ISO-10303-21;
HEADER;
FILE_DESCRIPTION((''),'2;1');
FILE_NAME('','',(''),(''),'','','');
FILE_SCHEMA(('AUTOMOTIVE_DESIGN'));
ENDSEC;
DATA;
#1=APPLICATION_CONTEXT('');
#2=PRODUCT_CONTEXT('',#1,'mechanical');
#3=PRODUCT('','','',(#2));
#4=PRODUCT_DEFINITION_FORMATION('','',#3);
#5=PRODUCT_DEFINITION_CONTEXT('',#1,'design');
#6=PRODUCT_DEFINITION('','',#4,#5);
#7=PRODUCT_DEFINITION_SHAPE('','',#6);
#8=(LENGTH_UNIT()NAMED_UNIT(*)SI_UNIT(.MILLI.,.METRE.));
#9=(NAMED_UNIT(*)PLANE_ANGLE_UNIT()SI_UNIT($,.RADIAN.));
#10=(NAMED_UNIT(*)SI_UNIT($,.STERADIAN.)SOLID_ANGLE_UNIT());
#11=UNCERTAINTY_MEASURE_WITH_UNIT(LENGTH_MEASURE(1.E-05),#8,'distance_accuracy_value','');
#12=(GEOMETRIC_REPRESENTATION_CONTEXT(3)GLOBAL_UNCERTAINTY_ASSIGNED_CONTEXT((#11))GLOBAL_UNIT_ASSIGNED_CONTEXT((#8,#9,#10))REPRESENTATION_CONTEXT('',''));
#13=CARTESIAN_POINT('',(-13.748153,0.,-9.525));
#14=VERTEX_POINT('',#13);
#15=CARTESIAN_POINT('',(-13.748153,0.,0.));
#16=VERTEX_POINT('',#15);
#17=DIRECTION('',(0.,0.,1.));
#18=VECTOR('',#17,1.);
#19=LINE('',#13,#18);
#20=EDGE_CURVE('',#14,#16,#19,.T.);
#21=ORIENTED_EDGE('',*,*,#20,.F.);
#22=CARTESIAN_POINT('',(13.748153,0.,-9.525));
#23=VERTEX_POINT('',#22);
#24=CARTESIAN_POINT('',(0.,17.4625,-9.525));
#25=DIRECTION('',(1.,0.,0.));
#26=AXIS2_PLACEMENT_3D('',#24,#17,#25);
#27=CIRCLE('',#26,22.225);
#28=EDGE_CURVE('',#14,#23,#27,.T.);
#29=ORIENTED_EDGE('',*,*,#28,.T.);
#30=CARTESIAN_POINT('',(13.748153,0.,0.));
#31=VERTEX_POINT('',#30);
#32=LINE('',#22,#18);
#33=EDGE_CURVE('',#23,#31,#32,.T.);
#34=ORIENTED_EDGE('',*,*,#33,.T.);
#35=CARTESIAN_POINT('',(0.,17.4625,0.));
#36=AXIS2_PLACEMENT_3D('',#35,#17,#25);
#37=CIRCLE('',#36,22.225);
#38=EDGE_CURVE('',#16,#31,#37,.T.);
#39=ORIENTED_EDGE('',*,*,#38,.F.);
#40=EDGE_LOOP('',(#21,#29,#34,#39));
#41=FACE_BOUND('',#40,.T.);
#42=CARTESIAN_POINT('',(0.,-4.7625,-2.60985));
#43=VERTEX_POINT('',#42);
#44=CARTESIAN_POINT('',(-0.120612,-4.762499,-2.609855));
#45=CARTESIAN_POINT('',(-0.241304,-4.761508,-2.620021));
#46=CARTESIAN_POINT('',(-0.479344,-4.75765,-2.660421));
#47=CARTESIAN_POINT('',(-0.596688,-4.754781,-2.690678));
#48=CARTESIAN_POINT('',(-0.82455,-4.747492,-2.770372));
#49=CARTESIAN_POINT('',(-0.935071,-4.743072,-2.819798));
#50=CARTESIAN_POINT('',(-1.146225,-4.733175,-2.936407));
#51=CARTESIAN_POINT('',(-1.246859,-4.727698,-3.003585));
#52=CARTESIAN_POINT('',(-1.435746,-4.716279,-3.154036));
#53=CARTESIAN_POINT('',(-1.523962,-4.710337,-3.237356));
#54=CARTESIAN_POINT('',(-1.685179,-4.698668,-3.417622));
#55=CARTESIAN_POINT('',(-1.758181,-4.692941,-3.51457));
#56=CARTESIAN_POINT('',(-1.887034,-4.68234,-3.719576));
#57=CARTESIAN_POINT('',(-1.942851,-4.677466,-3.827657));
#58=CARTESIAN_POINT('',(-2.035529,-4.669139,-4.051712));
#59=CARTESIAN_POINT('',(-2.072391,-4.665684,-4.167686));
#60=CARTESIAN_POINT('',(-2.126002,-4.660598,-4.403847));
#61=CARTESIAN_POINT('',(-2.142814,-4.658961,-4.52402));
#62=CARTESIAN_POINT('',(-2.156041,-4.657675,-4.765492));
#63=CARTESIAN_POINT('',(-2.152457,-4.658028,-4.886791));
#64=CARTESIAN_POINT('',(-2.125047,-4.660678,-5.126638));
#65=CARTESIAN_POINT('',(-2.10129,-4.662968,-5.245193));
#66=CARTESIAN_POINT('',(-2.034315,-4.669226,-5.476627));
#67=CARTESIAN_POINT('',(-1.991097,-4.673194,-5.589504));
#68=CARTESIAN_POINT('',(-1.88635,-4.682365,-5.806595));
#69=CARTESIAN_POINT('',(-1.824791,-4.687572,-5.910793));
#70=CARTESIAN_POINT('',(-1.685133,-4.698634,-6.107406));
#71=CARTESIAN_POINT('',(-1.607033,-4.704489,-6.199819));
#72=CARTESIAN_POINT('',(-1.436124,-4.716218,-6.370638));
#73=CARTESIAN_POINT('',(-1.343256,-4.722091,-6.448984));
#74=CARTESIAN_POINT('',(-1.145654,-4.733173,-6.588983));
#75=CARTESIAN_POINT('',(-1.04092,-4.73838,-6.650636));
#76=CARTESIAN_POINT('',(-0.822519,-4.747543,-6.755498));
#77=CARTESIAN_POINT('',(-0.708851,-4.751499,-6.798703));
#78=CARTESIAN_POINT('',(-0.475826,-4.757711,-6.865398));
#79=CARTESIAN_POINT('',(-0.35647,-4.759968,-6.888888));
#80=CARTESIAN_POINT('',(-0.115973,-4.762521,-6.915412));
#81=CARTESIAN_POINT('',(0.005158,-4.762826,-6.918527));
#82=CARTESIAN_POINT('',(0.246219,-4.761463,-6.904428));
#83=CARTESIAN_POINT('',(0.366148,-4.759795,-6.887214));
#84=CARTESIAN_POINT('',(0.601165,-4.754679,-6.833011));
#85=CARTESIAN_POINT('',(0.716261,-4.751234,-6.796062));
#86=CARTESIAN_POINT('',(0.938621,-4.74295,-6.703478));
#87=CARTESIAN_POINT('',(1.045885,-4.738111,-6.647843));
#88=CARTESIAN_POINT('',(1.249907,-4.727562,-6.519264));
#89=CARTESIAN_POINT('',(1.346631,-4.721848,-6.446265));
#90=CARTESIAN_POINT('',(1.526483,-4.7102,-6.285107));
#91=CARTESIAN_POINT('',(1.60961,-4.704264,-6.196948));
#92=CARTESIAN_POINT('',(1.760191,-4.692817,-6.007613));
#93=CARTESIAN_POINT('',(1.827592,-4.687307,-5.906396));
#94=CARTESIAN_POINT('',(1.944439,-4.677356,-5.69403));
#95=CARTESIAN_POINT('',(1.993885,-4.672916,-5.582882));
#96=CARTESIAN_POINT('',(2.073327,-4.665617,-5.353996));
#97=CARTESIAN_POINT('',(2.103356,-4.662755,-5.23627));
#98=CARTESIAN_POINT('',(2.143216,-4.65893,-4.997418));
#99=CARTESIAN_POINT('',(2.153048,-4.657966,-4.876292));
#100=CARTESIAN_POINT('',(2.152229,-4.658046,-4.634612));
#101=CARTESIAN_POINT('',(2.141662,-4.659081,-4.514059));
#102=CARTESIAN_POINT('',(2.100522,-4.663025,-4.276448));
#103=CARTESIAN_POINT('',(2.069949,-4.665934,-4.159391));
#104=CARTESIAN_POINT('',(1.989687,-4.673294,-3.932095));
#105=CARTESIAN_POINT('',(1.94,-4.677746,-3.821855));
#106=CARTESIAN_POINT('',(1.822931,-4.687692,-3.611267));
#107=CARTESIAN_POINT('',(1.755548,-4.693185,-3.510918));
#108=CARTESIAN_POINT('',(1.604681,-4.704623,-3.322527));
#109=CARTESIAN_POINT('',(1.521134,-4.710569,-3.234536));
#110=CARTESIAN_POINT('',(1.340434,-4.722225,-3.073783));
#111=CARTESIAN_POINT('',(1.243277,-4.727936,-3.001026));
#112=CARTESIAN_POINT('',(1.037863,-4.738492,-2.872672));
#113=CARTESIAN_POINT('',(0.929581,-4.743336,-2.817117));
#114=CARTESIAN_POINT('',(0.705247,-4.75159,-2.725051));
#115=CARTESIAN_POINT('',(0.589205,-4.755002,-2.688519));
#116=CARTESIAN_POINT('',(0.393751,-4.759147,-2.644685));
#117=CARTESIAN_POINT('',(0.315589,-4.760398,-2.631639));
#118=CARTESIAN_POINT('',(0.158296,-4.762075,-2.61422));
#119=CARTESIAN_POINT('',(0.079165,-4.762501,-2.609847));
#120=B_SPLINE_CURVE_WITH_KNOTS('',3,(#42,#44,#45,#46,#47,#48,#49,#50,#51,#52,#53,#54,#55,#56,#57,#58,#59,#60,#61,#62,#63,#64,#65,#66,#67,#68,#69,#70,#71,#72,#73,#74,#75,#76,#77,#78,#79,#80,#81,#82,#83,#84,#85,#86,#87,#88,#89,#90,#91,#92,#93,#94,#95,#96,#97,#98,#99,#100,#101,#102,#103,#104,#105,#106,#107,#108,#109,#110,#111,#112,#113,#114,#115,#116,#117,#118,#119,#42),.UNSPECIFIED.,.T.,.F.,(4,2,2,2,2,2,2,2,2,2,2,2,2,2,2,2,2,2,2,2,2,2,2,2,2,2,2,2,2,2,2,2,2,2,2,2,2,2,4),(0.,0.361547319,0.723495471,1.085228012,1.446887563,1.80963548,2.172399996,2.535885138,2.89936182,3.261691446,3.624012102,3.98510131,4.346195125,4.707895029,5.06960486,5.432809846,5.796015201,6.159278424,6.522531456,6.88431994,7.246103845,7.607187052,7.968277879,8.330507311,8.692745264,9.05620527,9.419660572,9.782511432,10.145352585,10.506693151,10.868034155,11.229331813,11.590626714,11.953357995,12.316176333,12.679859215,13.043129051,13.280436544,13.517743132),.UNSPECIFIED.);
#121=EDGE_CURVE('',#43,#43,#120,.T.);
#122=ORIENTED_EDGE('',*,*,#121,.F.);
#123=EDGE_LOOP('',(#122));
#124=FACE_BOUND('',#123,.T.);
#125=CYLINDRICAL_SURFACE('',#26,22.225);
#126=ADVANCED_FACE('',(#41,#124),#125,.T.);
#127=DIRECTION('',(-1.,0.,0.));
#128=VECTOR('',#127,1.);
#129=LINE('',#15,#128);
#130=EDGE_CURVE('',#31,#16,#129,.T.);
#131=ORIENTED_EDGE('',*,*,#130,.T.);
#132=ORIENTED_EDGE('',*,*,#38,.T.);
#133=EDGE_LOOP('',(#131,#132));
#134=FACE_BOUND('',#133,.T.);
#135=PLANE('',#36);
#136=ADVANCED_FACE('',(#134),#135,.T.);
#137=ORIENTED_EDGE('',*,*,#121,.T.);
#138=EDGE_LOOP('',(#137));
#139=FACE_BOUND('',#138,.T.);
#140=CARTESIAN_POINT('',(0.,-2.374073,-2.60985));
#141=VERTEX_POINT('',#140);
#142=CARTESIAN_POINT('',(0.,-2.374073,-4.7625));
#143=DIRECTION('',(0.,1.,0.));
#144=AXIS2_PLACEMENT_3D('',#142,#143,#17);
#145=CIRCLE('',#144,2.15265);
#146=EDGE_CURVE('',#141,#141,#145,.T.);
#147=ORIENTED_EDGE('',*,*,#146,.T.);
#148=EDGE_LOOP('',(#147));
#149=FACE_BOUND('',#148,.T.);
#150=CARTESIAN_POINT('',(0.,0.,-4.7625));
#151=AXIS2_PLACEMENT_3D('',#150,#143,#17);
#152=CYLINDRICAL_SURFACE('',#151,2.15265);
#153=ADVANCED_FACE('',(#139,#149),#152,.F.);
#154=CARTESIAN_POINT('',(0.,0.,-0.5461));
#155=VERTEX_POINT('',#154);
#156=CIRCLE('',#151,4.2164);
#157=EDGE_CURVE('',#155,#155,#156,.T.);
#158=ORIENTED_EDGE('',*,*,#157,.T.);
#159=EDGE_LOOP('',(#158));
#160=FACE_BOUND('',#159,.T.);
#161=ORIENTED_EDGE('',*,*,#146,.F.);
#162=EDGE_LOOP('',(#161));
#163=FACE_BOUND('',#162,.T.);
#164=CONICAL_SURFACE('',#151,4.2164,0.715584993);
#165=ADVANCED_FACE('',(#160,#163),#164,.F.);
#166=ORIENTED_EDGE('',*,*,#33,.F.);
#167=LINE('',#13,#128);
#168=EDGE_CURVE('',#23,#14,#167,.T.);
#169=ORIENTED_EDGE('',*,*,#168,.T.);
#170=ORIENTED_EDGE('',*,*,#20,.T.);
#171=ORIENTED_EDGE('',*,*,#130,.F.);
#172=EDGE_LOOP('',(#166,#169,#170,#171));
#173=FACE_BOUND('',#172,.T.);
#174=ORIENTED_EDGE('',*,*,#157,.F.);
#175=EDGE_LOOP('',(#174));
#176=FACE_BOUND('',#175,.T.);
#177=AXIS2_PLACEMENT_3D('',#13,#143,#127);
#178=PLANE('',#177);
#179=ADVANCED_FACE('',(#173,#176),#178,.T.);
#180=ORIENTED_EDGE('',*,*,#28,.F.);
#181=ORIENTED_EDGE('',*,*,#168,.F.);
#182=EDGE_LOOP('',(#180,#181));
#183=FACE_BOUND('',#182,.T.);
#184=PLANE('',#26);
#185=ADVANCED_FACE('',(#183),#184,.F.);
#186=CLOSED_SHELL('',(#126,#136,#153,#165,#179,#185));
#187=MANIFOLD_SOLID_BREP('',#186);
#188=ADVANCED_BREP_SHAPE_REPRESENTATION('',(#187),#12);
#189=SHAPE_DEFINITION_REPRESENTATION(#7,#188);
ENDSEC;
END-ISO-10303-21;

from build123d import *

# Parameters (mm, degrees)
BOSS_EXTRUDE1_DEPTH = 9.525


with BuildPart() as part:
    # Sketch1 → Boss-Extrude1 (new body)
    with BuildSketch(Plane.XY):
        with BuildLine():
            Line((-13.748153285, 0), (13.748153285, 0))
            ThreePointArc((13.748153285, 0), (0, -4.7625), (-13.748153285, 0))
        make_face()
    extrude(amount=-BOSS_EXTRUDE1_DEPTH)

    # Sketch6 → CSK for #8 Flat Head Machine Screw1 (revolve, cut)
    with BuildSketch(Plane(origin=(0, 0, -4.7625), x_dir=(0, 0, 1), z_dir=(1, 0, 0))):
        Polygon((0, 0), (0, 4.7625), (2.15265, 4.7625), (2.15265, 2.3740728), (4.2164, 0), align=None)
    revolve(axis=Axis((0, 6.35, -4.7625), (0, -1, 0)), mode=Mode.SUBTRACT)


solid = part.part
